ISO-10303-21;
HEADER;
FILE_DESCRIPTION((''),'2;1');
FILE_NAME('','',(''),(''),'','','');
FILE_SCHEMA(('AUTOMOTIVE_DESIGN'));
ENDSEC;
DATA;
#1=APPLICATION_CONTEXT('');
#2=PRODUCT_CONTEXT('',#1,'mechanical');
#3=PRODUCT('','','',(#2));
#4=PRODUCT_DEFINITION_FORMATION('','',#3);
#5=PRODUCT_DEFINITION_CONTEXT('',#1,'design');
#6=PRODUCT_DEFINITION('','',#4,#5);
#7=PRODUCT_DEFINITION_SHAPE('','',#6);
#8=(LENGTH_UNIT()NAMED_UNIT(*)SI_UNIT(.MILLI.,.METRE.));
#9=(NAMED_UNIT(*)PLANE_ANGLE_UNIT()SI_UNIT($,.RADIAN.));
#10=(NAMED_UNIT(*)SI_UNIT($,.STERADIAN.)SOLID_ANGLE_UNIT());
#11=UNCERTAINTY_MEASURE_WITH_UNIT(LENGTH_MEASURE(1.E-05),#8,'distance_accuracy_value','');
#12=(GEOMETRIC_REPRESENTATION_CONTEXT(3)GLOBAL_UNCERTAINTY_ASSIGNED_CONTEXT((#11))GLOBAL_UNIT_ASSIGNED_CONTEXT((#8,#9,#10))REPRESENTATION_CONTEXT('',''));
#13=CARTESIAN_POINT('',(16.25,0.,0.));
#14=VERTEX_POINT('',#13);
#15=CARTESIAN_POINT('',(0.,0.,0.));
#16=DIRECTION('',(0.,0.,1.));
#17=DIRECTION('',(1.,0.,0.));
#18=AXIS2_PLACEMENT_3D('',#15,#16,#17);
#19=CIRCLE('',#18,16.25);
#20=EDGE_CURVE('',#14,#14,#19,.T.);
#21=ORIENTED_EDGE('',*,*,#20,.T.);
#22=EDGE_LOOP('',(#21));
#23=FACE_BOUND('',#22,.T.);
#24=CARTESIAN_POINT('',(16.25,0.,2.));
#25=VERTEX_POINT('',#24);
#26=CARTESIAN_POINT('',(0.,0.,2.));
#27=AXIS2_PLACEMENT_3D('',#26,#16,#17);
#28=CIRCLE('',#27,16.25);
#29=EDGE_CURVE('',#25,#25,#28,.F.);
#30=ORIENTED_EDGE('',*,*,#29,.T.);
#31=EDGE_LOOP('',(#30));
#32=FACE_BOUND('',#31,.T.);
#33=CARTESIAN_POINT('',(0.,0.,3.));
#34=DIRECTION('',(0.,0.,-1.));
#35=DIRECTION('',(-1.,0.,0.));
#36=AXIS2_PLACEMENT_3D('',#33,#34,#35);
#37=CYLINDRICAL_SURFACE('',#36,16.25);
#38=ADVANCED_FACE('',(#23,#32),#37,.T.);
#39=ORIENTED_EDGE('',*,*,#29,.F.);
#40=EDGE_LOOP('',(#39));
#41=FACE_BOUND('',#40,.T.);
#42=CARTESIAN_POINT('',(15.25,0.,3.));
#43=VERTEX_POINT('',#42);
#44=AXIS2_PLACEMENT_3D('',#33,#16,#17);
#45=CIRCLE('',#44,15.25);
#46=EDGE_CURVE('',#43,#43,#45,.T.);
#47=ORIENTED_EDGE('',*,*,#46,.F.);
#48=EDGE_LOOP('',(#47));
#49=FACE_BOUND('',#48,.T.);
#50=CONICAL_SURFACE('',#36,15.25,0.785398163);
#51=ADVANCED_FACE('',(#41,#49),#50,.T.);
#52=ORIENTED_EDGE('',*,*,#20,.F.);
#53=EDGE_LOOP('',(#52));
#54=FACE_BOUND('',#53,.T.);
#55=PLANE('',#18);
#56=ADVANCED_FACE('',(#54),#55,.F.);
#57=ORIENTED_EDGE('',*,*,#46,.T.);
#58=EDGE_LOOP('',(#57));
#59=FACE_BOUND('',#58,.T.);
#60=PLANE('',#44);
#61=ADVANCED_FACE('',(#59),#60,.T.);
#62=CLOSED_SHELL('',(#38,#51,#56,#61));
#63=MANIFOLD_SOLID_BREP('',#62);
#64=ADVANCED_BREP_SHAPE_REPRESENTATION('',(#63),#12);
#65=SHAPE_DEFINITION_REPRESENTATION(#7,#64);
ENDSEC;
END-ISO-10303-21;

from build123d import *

# Parameters (mm, degrees)
ESQUISSE1_R     = 16.25
COUVERCLE_DEPTH = 3
CHANFREIN_SIZE  = 1


with BuildPart() as part:
    # Esquisse1 → couvercle (new body)
    with BuildSketch(Plane.XY):
        Circle(ESQUISSE1_R)
    extrude(amount=COUVERCLE_DEPTH)

    # Chanfrein
    chanfrein_edges = [part.edges().sort_by_distance(p)[0] for p in [
        (-16.25, 0, 3),
    ]]
    chamfer(chanfrein_edges, length=CHANFREIN_SIZE)


solid = part.part
